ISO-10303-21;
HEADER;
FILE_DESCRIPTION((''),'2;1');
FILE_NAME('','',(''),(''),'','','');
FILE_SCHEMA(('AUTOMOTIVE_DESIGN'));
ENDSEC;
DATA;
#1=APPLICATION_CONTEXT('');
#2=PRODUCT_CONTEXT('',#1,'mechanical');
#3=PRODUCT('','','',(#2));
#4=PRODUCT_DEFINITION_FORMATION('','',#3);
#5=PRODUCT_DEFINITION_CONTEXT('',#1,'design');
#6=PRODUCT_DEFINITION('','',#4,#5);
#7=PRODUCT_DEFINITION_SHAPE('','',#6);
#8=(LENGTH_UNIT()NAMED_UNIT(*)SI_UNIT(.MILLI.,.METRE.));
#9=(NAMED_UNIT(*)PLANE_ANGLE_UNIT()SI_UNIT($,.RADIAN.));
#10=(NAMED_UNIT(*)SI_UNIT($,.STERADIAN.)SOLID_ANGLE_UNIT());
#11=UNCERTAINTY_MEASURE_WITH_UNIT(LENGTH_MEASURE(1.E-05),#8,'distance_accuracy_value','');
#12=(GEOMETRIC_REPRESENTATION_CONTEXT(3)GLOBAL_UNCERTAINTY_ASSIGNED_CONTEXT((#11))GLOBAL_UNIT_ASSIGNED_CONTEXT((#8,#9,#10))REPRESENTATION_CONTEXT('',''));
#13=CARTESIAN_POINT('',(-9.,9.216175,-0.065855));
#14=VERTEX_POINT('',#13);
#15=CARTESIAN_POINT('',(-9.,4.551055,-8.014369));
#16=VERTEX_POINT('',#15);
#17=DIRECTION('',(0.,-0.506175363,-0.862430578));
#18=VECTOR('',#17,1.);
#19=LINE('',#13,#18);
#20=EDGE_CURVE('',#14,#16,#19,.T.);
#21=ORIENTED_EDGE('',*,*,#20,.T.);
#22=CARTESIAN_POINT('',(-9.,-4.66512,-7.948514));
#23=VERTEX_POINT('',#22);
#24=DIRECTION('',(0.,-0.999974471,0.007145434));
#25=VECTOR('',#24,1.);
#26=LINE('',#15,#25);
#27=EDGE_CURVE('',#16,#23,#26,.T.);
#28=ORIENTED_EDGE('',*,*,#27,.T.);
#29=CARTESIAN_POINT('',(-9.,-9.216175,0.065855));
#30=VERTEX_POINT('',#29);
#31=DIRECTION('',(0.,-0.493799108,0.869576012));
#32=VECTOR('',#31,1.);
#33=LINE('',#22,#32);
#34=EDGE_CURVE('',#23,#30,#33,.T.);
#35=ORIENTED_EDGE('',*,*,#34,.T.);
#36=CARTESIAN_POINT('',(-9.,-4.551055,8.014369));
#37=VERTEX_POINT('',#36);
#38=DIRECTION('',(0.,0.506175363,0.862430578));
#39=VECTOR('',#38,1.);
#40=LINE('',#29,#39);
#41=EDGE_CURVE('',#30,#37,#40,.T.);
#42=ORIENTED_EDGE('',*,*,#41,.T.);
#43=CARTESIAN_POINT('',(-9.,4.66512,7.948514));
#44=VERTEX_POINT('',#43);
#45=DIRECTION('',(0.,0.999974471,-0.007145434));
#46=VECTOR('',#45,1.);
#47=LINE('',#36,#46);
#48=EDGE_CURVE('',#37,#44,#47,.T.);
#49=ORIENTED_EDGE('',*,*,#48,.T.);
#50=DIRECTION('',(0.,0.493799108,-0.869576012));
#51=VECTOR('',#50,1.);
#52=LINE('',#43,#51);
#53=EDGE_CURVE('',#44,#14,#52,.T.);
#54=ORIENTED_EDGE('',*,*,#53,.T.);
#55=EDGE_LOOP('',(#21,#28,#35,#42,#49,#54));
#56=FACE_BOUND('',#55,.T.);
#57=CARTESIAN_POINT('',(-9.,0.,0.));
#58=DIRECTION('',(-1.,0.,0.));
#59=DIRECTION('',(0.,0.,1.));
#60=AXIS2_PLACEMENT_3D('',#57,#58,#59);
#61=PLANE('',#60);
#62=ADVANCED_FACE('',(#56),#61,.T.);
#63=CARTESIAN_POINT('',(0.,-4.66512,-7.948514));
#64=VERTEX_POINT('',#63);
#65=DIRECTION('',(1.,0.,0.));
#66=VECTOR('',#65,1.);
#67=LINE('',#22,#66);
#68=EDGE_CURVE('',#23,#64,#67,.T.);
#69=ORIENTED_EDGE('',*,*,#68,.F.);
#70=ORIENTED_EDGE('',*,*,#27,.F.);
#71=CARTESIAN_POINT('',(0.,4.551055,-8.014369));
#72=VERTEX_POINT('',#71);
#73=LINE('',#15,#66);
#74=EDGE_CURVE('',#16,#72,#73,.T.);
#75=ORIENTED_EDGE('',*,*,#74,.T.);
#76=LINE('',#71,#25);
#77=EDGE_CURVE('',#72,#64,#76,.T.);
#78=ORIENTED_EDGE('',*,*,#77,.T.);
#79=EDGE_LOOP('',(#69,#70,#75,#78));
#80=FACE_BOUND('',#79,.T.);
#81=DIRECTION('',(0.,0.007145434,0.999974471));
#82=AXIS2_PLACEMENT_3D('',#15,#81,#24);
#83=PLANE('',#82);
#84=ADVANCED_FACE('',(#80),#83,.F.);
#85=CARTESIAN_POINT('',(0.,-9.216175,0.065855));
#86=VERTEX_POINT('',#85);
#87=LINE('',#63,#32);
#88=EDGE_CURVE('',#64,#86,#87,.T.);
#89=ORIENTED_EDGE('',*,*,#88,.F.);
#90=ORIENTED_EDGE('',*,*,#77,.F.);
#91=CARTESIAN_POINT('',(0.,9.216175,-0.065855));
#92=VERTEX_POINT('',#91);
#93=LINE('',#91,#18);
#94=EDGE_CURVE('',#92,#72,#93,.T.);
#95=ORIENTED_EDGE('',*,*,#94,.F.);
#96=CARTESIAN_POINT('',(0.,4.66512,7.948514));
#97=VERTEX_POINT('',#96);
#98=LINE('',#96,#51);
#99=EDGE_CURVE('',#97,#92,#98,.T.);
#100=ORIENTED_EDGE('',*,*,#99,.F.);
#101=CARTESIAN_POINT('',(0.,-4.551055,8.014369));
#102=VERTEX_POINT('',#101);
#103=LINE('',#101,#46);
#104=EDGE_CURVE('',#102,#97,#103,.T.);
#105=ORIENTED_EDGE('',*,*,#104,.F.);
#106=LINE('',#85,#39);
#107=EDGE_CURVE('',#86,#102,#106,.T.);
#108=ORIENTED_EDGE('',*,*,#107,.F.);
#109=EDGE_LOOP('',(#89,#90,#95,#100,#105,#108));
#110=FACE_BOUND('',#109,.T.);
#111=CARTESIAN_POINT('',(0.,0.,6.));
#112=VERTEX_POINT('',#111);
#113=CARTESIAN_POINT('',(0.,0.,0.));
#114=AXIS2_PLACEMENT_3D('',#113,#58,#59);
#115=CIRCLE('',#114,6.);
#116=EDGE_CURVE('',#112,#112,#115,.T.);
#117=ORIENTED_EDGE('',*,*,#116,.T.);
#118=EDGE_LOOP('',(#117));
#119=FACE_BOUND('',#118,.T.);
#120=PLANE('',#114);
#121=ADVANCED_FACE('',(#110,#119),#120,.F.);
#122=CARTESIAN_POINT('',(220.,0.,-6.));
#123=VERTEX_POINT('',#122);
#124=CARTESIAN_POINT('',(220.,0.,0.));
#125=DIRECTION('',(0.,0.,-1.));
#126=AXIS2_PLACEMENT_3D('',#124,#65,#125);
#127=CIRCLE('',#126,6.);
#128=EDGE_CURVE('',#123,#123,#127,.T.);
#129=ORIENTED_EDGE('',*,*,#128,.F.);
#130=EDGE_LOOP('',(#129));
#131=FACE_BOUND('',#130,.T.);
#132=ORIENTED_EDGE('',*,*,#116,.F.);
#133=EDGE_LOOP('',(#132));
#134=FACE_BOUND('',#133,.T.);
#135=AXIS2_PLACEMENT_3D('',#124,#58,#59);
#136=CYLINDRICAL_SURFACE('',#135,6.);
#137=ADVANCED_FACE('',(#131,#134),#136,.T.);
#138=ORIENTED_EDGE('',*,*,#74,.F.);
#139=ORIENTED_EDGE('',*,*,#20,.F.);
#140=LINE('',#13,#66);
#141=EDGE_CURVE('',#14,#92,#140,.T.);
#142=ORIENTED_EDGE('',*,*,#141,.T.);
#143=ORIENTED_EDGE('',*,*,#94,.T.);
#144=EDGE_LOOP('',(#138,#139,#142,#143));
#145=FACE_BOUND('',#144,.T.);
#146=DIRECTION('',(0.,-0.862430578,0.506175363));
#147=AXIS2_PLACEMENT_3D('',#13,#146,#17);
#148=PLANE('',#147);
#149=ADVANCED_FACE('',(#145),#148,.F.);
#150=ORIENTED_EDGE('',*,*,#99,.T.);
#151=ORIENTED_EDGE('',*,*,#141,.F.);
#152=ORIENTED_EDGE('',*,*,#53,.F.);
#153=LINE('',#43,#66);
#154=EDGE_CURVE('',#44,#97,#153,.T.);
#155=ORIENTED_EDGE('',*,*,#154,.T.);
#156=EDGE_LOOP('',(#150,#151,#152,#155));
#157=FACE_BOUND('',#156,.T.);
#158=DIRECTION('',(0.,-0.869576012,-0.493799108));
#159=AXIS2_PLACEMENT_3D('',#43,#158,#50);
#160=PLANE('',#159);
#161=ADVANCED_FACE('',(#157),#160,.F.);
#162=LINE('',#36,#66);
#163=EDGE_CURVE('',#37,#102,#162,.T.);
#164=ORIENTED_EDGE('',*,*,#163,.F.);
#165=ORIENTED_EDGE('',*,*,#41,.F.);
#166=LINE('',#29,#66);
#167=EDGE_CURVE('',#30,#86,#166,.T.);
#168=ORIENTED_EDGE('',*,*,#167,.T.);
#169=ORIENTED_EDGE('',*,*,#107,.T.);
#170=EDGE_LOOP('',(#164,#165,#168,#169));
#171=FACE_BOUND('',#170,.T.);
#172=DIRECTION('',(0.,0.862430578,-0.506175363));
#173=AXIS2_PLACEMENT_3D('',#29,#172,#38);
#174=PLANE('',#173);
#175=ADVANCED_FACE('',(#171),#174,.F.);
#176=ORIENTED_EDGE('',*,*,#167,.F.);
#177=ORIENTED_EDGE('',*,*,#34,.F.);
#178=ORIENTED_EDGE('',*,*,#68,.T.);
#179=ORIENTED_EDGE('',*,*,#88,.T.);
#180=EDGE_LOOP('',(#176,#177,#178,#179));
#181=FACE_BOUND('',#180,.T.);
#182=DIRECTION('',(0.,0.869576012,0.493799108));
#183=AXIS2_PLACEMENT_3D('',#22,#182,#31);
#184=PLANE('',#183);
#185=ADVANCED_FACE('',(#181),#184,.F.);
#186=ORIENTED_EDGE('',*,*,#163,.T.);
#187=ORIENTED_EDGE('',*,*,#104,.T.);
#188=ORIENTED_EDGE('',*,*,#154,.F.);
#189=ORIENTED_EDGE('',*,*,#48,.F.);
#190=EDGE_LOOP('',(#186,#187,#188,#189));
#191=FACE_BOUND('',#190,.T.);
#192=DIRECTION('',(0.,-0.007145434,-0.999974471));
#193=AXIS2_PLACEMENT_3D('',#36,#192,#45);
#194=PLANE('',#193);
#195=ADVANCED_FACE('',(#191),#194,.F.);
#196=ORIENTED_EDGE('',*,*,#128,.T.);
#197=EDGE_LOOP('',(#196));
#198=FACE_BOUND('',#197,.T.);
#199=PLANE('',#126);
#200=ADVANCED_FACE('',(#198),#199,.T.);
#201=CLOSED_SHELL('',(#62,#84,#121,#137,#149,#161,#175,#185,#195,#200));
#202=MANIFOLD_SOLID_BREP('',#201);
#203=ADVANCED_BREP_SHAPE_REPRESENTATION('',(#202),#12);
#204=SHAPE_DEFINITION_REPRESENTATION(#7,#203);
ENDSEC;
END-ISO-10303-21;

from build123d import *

# Parameters (mm, degrees)
SKETCH_1_R      = 6
EXTRUDE_1_DEPTH = 220
EXTRUDE_2_DEPTH = 9


with BuildPart() as part:
    # Эскиз1 → Бобышка-Вытянуть1 (new body)
    with BuildSketch(Plane(origin=(0, 0, 0), x_dir=(0, 0, -1), z_dir=(1, 0, 0))):
        Circle(SKETCH_1_R)
    extrude(amount=EXTRUDE_1_DEPTH)

    # Эскиз2 → Бобышка-Вытянуть2 (add)
    with BuildSketch(Plane.ZY):
        Polygon((8.014369071, -4.551055046), (7.948513819, 4.665119688), (-0.065855252, 9.216174734), (-8.014369071, 4.551055046), (-7.948513819, -4.665119688), (0.065855252, -9.216174734), align=None)
    extrude(amount=EXTRUDE_2_DEPTH)


solid = part.part
